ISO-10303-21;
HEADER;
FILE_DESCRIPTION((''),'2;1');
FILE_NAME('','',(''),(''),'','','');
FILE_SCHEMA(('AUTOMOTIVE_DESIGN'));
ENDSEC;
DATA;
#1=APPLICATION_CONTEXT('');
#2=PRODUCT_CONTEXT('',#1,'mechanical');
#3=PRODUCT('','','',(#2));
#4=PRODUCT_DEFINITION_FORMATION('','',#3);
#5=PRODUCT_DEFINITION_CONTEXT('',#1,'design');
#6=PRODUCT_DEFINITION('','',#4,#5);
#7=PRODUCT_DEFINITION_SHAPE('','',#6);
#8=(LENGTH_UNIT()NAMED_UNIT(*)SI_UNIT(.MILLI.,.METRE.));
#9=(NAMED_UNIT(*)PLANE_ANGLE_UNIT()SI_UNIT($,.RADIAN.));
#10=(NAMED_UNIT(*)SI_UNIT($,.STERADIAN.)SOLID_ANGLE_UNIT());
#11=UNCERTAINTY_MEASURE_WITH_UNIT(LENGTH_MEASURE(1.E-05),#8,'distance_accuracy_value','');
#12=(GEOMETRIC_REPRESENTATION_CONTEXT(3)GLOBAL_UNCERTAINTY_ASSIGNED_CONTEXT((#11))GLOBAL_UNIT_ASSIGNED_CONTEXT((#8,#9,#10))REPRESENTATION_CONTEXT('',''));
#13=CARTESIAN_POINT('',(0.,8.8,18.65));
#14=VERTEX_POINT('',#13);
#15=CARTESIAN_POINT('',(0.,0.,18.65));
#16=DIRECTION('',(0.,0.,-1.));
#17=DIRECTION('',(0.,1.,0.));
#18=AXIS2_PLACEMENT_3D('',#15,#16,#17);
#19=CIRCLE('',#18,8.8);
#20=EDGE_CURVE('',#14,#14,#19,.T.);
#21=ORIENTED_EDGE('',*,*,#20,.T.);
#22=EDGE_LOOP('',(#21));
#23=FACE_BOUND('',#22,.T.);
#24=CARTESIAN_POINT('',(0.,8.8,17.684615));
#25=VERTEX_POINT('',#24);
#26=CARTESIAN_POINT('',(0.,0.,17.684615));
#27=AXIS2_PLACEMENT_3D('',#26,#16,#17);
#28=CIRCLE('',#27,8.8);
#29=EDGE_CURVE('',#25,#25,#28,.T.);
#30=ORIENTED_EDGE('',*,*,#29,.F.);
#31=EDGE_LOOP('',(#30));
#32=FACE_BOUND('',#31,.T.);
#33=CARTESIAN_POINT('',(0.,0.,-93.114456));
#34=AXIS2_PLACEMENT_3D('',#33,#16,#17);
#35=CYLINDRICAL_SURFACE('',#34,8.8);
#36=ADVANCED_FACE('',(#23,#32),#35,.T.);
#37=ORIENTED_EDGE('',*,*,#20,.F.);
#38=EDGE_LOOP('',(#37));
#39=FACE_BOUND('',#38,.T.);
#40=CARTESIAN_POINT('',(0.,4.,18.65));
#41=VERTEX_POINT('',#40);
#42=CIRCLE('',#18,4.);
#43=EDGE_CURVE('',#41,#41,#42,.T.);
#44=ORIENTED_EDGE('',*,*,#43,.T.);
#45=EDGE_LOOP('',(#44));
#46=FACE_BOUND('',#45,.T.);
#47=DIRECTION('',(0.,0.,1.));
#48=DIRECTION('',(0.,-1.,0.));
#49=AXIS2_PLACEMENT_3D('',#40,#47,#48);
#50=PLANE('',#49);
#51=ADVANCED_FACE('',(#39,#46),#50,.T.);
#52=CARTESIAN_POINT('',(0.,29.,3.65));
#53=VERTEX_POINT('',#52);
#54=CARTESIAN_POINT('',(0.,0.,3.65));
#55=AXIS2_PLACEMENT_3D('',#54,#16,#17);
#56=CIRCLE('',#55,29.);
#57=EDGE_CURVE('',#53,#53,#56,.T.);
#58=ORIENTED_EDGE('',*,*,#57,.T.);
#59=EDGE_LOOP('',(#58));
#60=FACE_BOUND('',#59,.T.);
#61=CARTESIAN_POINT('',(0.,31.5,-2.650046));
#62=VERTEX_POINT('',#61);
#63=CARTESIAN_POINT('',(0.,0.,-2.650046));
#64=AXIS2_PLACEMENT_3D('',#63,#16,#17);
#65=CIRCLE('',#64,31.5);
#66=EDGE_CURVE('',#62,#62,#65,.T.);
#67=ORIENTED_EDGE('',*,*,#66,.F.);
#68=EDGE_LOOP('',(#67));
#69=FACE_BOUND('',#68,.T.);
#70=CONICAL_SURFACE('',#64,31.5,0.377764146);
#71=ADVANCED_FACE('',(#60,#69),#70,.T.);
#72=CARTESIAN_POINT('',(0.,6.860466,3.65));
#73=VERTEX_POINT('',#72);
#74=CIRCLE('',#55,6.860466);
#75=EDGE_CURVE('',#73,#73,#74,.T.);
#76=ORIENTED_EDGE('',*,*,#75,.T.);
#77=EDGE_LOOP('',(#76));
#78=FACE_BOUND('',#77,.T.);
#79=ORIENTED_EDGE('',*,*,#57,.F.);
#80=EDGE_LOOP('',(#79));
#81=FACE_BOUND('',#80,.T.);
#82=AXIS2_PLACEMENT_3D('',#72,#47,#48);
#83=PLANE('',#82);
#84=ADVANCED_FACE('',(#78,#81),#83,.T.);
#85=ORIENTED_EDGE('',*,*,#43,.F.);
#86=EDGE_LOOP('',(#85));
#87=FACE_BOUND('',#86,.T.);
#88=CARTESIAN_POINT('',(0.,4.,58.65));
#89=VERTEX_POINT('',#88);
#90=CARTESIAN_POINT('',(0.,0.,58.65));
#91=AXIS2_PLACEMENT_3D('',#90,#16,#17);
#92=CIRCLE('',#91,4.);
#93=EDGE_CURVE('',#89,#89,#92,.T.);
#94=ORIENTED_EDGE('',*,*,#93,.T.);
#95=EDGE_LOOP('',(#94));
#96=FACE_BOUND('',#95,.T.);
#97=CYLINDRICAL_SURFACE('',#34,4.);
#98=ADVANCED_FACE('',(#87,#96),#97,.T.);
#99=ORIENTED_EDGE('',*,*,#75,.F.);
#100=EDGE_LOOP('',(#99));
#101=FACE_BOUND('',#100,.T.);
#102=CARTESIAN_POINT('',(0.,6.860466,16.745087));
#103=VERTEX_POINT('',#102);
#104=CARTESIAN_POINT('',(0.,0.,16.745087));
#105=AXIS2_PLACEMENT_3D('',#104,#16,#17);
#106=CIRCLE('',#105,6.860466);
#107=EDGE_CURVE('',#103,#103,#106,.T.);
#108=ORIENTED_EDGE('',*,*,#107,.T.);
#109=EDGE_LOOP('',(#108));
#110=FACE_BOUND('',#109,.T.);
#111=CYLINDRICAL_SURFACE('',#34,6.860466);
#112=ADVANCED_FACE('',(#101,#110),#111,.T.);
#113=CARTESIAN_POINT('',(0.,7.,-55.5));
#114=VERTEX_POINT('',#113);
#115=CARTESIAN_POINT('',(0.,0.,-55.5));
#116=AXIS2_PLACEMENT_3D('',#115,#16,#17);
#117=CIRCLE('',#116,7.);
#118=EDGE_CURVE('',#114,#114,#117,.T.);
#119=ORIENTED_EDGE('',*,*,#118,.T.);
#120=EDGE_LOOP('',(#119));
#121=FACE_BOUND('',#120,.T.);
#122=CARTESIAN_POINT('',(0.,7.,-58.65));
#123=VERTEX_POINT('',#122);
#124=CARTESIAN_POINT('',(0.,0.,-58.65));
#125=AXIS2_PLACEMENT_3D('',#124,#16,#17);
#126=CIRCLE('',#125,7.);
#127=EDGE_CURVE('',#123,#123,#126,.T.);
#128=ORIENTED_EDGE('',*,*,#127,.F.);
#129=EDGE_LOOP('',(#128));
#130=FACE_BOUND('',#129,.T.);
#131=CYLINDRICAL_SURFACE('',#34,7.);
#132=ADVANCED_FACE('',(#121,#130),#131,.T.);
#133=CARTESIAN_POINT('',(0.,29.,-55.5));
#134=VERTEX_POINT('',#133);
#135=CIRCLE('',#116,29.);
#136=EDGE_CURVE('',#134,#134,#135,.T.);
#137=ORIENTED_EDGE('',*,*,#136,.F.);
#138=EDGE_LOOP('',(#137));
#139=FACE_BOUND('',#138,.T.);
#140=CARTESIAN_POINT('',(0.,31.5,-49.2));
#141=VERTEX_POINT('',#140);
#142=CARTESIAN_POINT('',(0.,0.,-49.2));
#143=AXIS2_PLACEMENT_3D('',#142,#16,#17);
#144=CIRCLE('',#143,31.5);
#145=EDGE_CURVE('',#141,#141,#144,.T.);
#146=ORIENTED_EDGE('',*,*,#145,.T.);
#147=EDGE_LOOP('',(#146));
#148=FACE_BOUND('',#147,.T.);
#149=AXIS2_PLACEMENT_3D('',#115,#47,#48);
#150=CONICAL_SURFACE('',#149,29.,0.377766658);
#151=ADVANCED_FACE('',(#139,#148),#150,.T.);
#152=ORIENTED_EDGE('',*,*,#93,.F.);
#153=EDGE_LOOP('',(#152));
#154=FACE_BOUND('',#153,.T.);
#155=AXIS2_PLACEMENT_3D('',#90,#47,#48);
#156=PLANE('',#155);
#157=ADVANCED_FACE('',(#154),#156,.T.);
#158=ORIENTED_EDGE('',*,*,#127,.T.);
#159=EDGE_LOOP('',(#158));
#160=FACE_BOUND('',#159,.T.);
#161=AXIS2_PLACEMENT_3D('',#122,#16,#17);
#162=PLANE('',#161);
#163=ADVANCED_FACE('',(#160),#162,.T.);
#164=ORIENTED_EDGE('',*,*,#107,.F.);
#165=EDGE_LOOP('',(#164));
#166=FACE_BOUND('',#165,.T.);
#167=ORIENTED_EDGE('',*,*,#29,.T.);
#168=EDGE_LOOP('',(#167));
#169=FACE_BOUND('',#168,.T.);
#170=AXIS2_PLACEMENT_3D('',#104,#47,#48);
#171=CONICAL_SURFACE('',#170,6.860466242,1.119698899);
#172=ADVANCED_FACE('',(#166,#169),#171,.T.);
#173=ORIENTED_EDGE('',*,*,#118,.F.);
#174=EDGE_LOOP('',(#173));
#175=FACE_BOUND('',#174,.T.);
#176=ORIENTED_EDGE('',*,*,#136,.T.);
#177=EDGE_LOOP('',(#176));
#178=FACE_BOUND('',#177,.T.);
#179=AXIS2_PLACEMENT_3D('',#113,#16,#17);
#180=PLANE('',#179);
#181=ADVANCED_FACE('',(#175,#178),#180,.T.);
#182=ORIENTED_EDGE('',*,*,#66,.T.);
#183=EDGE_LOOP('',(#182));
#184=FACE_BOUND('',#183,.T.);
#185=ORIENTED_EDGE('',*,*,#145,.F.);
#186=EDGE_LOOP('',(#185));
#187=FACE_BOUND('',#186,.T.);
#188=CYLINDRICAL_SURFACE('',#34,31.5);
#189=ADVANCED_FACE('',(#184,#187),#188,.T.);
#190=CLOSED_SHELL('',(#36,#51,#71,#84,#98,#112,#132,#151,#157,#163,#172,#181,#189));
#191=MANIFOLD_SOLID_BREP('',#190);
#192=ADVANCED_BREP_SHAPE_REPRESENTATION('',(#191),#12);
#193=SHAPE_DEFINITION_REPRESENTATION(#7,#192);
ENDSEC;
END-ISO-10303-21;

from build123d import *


with BuildPart() as part:
    # Sketch1 → Revolve2 (revolve)
    with BuildSketch(Plane(origin=(0, 0, 0), x_dir=(0, 0, -1), z_dir=(1, 0, 0))):
        Polygon((58.65, 0), (-58.65, 0), (-58.65, 4), (-18.65, 4), (-18.65, 8.8), (-17.684615329, 8.8), (-16.745087162, 6.860466242), (-3.65, 6.860466242), (-3.65, 29), (2.650046163, 31.5), (49.2, 31.5), (55.5, 29), (55.5, 7), (58.65, 7), align=None)
    revolve(axis=Axis((0, 0, -93.114456369), (0, 0, 1)))


solid = part.part
